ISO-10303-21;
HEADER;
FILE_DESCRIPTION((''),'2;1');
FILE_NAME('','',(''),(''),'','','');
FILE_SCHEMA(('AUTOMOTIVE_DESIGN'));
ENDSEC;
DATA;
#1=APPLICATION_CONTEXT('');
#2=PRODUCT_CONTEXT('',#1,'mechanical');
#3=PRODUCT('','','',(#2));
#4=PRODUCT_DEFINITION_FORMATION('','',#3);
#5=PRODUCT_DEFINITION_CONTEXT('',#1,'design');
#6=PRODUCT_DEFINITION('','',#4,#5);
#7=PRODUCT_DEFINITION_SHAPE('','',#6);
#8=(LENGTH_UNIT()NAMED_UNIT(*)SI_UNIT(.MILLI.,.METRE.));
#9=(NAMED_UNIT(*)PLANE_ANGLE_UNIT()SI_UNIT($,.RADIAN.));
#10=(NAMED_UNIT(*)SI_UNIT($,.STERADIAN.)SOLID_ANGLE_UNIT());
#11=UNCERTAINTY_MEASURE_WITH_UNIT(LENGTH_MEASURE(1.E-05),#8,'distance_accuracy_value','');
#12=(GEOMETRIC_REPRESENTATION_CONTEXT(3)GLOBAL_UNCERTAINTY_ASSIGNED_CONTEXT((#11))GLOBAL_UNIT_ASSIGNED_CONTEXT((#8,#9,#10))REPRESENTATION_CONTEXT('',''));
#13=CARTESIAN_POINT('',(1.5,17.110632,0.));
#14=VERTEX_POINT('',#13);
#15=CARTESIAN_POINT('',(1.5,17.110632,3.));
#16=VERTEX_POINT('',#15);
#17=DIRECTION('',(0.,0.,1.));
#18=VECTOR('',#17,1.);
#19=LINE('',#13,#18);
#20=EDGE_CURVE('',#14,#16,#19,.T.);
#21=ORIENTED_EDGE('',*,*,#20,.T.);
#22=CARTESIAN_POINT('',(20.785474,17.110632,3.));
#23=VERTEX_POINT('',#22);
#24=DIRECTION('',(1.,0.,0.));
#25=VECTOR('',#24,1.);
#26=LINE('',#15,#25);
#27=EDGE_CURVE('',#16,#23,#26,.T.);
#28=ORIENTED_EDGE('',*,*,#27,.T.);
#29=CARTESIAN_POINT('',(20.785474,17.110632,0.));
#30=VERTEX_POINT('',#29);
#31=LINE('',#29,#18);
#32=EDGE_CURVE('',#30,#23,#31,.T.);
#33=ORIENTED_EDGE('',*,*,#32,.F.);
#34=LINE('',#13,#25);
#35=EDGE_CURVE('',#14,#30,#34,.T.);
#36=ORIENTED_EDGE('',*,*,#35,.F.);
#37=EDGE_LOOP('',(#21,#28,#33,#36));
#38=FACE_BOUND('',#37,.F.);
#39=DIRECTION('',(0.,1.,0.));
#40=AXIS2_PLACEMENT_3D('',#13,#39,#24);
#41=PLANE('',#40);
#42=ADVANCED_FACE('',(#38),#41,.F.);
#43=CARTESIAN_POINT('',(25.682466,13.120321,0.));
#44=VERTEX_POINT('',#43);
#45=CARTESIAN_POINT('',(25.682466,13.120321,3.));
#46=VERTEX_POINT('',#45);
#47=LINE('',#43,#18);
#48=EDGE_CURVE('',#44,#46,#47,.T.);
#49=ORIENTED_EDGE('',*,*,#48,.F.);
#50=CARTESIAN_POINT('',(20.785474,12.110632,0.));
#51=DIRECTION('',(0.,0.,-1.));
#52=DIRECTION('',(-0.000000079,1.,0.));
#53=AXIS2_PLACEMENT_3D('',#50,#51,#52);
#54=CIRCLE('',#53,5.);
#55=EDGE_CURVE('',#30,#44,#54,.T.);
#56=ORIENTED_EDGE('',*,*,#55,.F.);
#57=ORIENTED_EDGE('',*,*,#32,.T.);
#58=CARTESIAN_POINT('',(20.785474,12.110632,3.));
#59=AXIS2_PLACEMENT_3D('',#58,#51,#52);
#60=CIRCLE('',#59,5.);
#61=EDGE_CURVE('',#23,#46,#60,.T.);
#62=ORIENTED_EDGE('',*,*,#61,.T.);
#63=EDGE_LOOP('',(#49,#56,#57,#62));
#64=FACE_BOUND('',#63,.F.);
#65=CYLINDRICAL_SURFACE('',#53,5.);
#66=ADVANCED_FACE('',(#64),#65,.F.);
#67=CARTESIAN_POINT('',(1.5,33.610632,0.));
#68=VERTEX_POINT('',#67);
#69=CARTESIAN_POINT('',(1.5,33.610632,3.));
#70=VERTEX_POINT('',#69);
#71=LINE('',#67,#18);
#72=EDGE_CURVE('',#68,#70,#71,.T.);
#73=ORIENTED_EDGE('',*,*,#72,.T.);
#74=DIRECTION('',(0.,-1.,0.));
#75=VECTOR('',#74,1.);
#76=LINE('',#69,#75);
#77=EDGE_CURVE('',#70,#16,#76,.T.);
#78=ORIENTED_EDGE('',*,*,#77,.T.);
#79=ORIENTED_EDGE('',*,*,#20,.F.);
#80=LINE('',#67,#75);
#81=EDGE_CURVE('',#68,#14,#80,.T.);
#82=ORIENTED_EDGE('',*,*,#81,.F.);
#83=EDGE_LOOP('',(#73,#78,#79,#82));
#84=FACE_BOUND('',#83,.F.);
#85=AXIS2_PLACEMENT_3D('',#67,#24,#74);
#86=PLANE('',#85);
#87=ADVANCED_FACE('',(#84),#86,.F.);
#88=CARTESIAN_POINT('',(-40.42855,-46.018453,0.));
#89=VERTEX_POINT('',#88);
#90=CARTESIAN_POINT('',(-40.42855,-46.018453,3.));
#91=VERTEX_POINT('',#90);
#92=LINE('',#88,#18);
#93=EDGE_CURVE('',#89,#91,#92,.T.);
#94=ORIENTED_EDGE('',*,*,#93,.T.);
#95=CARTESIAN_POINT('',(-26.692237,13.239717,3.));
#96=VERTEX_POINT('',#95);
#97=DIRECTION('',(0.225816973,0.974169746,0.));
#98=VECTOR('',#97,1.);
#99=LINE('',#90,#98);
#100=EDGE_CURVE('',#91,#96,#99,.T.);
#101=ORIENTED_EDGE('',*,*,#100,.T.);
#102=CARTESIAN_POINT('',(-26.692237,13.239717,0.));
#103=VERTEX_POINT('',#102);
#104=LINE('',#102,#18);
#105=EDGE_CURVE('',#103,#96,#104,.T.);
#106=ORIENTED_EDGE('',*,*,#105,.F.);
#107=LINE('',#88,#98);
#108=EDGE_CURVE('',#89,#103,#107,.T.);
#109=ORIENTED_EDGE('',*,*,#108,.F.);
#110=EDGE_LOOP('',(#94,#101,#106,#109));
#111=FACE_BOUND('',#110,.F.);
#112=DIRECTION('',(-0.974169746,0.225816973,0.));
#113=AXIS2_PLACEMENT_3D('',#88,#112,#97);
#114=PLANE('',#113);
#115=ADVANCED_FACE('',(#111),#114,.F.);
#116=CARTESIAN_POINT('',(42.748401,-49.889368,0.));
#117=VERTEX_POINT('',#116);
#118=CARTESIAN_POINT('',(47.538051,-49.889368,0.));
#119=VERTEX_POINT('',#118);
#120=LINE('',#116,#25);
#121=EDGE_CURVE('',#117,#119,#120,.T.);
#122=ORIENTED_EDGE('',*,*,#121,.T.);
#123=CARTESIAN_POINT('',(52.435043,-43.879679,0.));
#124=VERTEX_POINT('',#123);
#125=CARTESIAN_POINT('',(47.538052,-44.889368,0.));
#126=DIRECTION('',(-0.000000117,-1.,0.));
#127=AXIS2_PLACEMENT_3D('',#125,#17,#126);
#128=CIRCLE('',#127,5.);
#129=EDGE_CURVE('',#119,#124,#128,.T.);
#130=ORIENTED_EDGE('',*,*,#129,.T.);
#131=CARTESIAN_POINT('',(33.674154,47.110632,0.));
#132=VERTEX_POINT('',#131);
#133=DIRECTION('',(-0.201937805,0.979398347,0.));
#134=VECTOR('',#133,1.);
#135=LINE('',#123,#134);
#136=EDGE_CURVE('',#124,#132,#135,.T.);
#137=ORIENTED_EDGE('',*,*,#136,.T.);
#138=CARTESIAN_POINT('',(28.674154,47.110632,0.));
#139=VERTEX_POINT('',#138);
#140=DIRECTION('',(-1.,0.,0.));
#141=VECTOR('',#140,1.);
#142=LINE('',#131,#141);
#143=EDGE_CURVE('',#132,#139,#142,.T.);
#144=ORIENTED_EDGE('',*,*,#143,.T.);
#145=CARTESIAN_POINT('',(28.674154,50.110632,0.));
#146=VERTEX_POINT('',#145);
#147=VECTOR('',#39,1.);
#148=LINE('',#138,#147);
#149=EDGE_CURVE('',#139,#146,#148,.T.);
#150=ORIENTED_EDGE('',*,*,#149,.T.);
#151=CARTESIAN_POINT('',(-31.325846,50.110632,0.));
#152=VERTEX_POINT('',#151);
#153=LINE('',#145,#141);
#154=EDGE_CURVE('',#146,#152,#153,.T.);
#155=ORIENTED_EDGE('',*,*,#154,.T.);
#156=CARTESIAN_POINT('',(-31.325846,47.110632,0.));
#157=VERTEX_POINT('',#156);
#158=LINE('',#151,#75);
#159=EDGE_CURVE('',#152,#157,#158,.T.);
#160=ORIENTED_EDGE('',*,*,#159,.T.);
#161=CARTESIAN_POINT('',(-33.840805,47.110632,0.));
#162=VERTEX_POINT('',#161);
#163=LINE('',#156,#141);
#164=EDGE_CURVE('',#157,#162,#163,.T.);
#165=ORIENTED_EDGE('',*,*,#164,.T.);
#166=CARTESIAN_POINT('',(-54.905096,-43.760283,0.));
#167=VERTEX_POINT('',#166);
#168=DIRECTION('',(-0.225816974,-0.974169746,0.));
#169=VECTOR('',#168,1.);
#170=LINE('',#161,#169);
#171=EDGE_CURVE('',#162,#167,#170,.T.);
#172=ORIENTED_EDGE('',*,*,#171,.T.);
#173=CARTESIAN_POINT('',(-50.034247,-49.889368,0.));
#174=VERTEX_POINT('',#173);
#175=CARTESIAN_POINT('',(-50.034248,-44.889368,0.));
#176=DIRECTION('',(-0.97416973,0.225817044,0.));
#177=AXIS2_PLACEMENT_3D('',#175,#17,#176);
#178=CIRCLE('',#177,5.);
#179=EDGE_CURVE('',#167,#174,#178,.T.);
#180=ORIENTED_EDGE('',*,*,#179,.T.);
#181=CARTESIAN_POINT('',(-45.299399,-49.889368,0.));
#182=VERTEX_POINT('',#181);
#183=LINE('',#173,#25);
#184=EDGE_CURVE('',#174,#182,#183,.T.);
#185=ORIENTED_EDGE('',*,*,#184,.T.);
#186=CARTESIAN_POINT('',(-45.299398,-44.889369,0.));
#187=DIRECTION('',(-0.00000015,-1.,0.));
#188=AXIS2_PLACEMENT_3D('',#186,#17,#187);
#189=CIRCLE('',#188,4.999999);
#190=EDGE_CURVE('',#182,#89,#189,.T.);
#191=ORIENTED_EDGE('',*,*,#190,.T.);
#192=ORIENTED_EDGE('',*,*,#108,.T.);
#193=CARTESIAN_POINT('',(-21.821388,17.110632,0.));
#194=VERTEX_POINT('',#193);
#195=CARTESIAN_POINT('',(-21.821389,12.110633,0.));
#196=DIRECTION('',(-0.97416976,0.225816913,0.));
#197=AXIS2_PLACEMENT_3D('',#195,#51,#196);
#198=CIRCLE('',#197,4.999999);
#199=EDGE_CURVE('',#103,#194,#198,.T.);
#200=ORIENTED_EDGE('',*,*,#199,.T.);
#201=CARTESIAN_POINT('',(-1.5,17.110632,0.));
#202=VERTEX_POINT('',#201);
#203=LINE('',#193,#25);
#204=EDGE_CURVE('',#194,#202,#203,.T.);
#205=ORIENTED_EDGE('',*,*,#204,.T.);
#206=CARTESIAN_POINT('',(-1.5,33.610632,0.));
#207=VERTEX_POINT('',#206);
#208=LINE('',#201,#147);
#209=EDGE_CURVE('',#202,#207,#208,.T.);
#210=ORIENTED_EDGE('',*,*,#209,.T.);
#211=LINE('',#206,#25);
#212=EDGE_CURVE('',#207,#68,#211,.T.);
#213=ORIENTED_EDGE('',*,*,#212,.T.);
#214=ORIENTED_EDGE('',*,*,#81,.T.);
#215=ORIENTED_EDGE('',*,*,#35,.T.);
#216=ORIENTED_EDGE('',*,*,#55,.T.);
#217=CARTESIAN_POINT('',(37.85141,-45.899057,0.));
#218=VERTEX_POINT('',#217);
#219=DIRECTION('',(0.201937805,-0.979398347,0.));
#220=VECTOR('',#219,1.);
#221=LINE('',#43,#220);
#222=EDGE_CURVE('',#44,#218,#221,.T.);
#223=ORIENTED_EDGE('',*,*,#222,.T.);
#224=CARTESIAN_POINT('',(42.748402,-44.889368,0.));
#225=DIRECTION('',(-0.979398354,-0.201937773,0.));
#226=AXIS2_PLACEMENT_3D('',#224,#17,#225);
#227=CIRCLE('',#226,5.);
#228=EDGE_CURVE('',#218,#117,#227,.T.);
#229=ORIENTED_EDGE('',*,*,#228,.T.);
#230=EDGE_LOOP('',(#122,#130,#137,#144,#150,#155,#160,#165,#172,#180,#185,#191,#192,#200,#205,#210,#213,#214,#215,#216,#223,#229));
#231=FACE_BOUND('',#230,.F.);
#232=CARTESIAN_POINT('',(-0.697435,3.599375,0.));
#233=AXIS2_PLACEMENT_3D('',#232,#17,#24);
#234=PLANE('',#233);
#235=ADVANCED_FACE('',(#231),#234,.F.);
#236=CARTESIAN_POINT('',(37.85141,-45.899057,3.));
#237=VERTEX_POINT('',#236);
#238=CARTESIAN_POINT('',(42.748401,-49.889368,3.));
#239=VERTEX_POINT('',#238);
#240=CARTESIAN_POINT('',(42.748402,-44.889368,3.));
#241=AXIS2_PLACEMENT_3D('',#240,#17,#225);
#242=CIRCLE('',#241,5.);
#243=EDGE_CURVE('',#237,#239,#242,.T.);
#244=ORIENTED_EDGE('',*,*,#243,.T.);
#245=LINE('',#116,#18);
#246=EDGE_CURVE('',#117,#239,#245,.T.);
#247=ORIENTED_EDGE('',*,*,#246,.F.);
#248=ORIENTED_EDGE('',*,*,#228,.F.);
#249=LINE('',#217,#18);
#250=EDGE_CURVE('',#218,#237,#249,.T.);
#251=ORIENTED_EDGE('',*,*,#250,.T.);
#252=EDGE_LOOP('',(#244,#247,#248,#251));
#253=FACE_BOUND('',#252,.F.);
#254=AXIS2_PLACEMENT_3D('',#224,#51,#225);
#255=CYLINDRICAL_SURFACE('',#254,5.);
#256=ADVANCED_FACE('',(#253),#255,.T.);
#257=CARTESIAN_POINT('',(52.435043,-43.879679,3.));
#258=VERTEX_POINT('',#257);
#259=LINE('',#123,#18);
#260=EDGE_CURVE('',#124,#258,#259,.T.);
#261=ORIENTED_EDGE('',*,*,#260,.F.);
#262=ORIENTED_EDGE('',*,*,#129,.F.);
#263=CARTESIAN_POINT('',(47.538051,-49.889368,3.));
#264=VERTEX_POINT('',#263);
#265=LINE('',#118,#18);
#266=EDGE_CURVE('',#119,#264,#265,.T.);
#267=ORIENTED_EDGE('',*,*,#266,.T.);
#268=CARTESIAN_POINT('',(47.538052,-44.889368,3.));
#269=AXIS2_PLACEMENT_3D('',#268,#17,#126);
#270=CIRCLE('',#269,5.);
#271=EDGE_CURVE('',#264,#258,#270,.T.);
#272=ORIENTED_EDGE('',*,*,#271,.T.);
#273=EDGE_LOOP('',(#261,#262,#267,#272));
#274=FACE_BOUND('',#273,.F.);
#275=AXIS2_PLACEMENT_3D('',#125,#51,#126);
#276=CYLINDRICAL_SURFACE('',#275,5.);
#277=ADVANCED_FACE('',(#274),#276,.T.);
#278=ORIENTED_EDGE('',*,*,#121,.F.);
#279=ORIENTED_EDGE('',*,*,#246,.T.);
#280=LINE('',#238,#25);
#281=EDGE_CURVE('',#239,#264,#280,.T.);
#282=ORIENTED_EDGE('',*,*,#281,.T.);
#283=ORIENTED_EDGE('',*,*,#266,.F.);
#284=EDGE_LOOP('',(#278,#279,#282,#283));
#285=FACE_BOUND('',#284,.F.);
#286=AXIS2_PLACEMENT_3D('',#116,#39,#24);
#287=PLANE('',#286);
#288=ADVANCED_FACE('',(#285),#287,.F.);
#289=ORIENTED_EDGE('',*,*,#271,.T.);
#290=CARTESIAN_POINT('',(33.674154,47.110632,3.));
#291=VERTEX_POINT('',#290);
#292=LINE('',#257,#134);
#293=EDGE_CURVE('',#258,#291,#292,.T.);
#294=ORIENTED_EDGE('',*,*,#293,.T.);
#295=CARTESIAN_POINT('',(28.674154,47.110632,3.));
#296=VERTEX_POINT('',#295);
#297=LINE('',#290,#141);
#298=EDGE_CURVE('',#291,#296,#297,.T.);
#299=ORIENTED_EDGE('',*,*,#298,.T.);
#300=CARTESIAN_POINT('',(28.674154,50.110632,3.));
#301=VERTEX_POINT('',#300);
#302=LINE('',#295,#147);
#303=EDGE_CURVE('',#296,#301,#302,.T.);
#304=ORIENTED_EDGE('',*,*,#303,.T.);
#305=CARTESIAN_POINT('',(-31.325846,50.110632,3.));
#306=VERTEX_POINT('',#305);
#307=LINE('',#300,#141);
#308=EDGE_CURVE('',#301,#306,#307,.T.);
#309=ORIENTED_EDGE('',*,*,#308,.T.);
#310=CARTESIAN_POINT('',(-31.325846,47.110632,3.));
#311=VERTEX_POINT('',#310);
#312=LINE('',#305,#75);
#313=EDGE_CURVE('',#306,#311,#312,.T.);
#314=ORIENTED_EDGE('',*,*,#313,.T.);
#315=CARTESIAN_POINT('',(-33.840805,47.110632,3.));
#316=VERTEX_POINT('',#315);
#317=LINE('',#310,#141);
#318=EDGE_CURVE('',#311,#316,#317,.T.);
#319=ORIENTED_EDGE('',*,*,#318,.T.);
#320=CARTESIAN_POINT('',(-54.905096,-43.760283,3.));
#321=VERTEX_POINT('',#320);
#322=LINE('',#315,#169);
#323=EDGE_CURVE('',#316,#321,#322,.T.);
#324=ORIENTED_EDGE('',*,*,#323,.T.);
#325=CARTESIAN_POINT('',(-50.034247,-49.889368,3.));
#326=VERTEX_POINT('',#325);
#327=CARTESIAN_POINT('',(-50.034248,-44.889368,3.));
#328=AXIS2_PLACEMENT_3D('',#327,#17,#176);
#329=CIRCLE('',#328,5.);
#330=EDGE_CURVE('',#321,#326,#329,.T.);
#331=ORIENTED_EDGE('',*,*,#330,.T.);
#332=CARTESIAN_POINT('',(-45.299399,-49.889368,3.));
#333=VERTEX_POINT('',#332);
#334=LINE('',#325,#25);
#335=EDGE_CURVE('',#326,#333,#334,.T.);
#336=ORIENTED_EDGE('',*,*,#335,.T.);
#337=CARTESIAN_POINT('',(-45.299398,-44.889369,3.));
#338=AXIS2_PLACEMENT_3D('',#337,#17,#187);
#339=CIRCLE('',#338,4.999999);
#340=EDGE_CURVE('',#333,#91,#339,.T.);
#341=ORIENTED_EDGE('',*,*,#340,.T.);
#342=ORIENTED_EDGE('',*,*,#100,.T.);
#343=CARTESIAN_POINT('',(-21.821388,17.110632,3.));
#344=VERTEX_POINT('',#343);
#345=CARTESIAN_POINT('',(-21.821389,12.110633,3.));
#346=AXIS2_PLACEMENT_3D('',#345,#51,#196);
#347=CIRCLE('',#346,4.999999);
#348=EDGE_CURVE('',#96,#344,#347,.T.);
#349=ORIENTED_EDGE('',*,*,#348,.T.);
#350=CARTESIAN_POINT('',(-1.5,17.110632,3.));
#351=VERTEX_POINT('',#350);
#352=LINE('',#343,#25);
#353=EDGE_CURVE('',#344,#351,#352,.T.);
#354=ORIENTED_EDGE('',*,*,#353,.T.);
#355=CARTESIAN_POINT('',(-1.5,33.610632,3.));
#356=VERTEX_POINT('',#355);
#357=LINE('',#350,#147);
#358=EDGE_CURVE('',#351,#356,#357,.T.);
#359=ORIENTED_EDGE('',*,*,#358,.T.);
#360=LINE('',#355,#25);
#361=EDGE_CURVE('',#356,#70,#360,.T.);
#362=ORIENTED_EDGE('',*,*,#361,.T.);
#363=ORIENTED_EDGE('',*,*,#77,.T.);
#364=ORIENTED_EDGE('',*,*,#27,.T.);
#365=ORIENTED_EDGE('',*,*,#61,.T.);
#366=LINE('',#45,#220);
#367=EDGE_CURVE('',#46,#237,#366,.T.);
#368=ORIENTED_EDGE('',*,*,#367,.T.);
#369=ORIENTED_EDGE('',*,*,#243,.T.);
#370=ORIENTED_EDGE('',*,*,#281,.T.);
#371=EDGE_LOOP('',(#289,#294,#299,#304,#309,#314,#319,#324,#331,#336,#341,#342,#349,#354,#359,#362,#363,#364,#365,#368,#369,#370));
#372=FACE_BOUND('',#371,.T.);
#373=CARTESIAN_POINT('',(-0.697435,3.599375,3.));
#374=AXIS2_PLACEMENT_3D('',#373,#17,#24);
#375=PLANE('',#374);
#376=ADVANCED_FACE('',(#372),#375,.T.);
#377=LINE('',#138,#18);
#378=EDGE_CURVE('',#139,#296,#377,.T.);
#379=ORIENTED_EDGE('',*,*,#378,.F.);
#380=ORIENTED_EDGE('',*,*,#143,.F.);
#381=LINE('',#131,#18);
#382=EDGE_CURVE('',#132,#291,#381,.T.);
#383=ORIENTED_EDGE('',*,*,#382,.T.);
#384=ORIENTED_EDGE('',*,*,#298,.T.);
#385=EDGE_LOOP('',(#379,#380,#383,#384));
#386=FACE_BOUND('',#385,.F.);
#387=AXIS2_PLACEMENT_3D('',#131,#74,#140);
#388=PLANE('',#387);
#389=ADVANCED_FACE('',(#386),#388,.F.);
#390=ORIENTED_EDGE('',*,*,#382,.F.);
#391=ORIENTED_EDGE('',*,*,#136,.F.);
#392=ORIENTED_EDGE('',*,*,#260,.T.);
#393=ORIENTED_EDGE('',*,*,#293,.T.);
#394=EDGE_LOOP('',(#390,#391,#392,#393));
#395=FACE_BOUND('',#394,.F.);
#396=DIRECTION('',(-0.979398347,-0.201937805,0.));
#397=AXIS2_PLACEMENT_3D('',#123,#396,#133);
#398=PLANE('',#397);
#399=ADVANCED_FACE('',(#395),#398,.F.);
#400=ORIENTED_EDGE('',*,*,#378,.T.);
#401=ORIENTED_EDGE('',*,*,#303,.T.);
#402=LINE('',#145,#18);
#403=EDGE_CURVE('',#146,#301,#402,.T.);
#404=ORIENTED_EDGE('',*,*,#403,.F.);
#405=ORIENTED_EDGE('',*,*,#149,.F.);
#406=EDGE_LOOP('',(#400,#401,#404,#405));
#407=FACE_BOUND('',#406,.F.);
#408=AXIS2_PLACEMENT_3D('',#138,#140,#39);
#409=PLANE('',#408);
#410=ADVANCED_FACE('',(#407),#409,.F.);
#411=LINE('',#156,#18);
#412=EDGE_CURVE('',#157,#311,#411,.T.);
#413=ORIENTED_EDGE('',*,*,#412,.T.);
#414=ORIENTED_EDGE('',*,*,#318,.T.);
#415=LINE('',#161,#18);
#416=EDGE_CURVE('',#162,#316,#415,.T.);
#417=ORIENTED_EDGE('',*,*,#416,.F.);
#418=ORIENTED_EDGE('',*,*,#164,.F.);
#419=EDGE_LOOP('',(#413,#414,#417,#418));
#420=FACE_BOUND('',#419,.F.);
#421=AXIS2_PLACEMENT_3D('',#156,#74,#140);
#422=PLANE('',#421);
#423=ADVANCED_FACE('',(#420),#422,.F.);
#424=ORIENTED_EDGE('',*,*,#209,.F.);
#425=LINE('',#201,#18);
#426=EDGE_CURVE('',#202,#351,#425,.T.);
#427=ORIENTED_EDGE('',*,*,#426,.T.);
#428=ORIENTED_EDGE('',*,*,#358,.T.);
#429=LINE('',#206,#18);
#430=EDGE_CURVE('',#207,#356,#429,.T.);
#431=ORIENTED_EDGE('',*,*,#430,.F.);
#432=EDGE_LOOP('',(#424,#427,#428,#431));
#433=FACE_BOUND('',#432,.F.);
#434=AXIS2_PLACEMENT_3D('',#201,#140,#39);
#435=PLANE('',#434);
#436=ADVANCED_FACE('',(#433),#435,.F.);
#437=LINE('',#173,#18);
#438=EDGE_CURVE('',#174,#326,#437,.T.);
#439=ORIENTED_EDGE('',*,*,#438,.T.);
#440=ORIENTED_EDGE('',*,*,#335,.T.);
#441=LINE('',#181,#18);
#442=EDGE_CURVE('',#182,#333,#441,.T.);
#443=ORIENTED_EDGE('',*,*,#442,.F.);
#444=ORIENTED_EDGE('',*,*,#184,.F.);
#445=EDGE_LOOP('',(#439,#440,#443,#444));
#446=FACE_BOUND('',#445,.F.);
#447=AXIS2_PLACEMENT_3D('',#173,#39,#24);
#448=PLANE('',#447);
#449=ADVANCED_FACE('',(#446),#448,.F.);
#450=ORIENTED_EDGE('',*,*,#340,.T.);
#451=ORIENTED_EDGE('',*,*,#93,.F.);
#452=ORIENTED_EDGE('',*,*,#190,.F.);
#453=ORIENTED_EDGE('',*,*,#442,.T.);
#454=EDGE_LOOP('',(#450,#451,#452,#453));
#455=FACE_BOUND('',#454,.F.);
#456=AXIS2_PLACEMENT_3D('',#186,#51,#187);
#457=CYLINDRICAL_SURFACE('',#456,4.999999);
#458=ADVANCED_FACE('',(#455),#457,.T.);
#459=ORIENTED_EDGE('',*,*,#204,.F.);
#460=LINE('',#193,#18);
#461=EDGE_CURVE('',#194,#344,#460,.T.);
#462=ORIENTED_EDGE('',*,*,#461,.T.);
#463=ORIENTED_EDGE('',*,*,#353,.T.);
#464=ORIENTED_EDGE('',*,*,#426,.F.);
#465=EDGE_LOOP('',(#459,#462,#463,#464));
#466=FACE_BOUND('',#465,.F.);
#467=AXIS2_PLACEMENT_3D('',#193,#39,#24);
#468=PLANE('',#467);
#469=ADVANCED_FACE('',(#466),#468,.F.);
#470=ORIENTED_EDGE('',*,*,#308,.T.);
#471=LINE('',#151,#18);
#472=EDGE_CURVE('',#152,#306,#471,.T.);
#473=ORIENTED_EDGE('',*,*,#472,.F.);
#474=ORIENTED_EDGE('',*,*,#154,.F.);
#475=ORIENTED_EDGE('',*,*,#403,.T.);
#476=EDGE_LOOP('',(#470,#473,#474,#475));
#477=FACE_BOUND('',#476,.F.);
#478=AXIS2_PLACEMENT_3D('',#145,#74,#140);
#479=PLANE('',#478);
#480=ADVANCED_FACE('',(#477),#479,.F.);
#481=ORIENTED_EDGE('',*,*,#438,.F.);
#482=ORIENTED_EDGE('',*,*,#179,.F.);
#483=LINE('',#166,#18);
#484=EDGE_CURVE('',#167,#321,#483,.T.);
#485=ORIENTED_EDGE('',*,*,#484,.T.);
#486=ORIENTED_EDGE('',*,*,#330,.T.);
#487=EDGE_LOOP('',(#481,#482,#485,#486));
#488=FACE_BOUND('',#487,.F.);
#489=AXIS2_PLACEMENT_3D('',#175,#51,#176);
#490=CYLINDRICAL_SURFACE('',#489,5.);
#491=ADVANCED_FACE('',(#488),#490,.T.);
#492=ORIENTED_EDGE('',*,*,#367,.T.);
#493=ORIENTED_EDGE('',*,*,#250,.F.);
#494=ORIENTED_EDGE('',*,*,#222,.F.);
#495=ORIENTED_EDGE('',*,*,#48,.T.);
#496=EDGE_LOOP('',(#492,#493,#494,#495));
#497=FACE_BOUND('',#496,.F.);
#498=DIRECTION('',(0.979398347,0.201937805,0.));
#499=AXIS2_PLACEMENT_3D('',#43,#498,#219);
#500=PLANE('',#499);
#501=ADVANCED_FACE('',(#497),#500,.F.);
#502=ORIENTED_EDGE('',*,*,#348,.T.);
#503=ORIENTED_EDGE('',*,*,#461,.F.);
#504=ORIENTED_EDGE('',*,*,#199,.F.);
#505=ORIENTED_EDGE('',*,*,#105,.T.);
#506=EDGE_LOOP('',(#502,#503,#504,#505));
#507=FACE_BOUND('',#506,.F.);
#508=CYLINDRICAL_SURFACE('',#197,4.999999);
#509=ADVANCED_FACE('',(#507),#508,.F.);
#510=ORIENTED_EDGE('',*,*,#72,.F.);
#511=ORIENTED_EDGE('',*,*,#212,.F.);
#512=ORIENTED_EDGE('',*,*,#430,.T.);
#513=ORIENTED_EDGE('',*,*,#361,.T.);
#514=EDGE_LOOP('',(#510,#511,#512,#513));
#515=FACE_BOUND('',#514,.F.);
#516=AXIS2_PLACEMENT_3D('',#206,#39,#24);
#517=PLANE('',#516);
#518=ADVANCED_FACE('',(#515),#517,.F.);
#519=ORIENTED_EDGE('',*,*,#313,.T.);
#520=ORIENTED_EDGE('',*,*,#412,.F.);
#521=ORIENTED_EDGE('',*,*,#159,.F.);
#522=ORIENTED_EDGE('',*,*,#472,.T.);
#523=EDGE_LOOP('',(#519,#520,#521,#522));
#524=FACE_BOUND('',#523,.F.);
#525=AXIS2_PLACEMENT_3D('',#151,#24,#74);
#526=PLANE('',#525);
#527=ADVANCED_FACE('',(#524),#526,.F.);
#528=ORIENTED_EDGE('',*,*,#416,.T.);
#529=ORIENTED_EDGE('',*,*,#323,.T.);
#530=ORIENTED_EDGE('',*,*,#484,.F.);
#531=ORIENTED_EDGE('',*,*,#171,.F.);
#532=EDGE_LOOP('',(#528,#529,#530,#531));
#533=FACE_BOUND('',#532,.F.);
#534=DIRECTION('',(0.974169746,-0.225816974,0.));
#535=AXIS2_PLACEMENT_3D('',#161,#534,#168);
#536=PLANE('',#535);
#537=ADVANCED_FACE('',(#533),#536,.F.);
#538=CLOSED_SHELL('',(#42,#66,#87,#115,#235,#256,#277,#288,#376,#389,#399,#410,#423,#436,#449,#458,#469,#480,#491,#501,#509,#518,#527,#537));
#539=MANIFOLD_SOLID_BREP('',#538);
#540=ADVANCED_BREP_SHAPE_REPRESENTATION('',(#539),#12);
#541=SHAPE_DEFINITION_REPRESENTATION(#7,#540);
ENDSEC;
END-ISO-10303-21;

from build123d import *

# Parameters (mm, degrees)
F1_DEPTH = 3


with BuildPart() as f1:
    # F0 (on Top) → F1 (new body)
    with BuildSketch(Plane.XY):
        with BuildLine():
            Line((28.674154, 50.110632), (-31.325846, 50.110632))
            Line((-31.325846, 50.110632), (-31.325846, 47.110632))
            Line((-31.325846, 47.110632), (-33.840805, 47.110632))
            Line((-33.840805, 47.110632), (-54.905096, -43.760283))
            ThreePointArc((-54.905096, -43.760283), (-53.948671, -48.000202), (-50.034247, -49.889368))
            Line((-50.034247, -49.889368), (-45.299399, -49.889368))
            ThreePointArc((-45.299399, -49.889368), (-42.188565, -48.803792), (-40.42855, -46.018453))
            Line((-40.42855, -46.018453), (-26.692237, 13.239717))
            ThreePointArc((-26.692237, 13.239717), (-24.932222, 16.025056), (-21.821388, 17.110632))
            Line((-21.821388, 17.110632), (-1.5, 17.110632))
            Line((-1.5, 17.110632), (-1.5, 33.610632))
            Line((-1.5, 33.610632), (1.5, 33.610632))
            Line((1.5, 33.610632), (1.5, 17.110632))
            Line((1.5, 17.110632), (20.785474, 17.110632))
            ThreePointArc((20.785474, 17.110632), (23.94392, 15.986741), (25.682466, 13.120321))
            Line((25.682466, 13.120321), (37.85141, -45.899057))
            ThreePointArc((37.85141, -45.899057), (39.589956, -48.765477), (42.748401, -49.889368))
            Line((42.748401, -49.889368), (47.538051, -49.889368))
            ThreePointArc((47.538051, -49.889368), (51.414161, -48.047813), (52.435043, -43.879679))
            Line((52.435043, -43.879679), (33.674154, 47.110632))
            Line((33.674154, 47.110632), (28.674154, 47.110632))
            Line((28.674154, 47.110632), (28.674154, 50.110632))
        make_face()
    extrude(amount=F1_DEPTH)


solid = f1.part
